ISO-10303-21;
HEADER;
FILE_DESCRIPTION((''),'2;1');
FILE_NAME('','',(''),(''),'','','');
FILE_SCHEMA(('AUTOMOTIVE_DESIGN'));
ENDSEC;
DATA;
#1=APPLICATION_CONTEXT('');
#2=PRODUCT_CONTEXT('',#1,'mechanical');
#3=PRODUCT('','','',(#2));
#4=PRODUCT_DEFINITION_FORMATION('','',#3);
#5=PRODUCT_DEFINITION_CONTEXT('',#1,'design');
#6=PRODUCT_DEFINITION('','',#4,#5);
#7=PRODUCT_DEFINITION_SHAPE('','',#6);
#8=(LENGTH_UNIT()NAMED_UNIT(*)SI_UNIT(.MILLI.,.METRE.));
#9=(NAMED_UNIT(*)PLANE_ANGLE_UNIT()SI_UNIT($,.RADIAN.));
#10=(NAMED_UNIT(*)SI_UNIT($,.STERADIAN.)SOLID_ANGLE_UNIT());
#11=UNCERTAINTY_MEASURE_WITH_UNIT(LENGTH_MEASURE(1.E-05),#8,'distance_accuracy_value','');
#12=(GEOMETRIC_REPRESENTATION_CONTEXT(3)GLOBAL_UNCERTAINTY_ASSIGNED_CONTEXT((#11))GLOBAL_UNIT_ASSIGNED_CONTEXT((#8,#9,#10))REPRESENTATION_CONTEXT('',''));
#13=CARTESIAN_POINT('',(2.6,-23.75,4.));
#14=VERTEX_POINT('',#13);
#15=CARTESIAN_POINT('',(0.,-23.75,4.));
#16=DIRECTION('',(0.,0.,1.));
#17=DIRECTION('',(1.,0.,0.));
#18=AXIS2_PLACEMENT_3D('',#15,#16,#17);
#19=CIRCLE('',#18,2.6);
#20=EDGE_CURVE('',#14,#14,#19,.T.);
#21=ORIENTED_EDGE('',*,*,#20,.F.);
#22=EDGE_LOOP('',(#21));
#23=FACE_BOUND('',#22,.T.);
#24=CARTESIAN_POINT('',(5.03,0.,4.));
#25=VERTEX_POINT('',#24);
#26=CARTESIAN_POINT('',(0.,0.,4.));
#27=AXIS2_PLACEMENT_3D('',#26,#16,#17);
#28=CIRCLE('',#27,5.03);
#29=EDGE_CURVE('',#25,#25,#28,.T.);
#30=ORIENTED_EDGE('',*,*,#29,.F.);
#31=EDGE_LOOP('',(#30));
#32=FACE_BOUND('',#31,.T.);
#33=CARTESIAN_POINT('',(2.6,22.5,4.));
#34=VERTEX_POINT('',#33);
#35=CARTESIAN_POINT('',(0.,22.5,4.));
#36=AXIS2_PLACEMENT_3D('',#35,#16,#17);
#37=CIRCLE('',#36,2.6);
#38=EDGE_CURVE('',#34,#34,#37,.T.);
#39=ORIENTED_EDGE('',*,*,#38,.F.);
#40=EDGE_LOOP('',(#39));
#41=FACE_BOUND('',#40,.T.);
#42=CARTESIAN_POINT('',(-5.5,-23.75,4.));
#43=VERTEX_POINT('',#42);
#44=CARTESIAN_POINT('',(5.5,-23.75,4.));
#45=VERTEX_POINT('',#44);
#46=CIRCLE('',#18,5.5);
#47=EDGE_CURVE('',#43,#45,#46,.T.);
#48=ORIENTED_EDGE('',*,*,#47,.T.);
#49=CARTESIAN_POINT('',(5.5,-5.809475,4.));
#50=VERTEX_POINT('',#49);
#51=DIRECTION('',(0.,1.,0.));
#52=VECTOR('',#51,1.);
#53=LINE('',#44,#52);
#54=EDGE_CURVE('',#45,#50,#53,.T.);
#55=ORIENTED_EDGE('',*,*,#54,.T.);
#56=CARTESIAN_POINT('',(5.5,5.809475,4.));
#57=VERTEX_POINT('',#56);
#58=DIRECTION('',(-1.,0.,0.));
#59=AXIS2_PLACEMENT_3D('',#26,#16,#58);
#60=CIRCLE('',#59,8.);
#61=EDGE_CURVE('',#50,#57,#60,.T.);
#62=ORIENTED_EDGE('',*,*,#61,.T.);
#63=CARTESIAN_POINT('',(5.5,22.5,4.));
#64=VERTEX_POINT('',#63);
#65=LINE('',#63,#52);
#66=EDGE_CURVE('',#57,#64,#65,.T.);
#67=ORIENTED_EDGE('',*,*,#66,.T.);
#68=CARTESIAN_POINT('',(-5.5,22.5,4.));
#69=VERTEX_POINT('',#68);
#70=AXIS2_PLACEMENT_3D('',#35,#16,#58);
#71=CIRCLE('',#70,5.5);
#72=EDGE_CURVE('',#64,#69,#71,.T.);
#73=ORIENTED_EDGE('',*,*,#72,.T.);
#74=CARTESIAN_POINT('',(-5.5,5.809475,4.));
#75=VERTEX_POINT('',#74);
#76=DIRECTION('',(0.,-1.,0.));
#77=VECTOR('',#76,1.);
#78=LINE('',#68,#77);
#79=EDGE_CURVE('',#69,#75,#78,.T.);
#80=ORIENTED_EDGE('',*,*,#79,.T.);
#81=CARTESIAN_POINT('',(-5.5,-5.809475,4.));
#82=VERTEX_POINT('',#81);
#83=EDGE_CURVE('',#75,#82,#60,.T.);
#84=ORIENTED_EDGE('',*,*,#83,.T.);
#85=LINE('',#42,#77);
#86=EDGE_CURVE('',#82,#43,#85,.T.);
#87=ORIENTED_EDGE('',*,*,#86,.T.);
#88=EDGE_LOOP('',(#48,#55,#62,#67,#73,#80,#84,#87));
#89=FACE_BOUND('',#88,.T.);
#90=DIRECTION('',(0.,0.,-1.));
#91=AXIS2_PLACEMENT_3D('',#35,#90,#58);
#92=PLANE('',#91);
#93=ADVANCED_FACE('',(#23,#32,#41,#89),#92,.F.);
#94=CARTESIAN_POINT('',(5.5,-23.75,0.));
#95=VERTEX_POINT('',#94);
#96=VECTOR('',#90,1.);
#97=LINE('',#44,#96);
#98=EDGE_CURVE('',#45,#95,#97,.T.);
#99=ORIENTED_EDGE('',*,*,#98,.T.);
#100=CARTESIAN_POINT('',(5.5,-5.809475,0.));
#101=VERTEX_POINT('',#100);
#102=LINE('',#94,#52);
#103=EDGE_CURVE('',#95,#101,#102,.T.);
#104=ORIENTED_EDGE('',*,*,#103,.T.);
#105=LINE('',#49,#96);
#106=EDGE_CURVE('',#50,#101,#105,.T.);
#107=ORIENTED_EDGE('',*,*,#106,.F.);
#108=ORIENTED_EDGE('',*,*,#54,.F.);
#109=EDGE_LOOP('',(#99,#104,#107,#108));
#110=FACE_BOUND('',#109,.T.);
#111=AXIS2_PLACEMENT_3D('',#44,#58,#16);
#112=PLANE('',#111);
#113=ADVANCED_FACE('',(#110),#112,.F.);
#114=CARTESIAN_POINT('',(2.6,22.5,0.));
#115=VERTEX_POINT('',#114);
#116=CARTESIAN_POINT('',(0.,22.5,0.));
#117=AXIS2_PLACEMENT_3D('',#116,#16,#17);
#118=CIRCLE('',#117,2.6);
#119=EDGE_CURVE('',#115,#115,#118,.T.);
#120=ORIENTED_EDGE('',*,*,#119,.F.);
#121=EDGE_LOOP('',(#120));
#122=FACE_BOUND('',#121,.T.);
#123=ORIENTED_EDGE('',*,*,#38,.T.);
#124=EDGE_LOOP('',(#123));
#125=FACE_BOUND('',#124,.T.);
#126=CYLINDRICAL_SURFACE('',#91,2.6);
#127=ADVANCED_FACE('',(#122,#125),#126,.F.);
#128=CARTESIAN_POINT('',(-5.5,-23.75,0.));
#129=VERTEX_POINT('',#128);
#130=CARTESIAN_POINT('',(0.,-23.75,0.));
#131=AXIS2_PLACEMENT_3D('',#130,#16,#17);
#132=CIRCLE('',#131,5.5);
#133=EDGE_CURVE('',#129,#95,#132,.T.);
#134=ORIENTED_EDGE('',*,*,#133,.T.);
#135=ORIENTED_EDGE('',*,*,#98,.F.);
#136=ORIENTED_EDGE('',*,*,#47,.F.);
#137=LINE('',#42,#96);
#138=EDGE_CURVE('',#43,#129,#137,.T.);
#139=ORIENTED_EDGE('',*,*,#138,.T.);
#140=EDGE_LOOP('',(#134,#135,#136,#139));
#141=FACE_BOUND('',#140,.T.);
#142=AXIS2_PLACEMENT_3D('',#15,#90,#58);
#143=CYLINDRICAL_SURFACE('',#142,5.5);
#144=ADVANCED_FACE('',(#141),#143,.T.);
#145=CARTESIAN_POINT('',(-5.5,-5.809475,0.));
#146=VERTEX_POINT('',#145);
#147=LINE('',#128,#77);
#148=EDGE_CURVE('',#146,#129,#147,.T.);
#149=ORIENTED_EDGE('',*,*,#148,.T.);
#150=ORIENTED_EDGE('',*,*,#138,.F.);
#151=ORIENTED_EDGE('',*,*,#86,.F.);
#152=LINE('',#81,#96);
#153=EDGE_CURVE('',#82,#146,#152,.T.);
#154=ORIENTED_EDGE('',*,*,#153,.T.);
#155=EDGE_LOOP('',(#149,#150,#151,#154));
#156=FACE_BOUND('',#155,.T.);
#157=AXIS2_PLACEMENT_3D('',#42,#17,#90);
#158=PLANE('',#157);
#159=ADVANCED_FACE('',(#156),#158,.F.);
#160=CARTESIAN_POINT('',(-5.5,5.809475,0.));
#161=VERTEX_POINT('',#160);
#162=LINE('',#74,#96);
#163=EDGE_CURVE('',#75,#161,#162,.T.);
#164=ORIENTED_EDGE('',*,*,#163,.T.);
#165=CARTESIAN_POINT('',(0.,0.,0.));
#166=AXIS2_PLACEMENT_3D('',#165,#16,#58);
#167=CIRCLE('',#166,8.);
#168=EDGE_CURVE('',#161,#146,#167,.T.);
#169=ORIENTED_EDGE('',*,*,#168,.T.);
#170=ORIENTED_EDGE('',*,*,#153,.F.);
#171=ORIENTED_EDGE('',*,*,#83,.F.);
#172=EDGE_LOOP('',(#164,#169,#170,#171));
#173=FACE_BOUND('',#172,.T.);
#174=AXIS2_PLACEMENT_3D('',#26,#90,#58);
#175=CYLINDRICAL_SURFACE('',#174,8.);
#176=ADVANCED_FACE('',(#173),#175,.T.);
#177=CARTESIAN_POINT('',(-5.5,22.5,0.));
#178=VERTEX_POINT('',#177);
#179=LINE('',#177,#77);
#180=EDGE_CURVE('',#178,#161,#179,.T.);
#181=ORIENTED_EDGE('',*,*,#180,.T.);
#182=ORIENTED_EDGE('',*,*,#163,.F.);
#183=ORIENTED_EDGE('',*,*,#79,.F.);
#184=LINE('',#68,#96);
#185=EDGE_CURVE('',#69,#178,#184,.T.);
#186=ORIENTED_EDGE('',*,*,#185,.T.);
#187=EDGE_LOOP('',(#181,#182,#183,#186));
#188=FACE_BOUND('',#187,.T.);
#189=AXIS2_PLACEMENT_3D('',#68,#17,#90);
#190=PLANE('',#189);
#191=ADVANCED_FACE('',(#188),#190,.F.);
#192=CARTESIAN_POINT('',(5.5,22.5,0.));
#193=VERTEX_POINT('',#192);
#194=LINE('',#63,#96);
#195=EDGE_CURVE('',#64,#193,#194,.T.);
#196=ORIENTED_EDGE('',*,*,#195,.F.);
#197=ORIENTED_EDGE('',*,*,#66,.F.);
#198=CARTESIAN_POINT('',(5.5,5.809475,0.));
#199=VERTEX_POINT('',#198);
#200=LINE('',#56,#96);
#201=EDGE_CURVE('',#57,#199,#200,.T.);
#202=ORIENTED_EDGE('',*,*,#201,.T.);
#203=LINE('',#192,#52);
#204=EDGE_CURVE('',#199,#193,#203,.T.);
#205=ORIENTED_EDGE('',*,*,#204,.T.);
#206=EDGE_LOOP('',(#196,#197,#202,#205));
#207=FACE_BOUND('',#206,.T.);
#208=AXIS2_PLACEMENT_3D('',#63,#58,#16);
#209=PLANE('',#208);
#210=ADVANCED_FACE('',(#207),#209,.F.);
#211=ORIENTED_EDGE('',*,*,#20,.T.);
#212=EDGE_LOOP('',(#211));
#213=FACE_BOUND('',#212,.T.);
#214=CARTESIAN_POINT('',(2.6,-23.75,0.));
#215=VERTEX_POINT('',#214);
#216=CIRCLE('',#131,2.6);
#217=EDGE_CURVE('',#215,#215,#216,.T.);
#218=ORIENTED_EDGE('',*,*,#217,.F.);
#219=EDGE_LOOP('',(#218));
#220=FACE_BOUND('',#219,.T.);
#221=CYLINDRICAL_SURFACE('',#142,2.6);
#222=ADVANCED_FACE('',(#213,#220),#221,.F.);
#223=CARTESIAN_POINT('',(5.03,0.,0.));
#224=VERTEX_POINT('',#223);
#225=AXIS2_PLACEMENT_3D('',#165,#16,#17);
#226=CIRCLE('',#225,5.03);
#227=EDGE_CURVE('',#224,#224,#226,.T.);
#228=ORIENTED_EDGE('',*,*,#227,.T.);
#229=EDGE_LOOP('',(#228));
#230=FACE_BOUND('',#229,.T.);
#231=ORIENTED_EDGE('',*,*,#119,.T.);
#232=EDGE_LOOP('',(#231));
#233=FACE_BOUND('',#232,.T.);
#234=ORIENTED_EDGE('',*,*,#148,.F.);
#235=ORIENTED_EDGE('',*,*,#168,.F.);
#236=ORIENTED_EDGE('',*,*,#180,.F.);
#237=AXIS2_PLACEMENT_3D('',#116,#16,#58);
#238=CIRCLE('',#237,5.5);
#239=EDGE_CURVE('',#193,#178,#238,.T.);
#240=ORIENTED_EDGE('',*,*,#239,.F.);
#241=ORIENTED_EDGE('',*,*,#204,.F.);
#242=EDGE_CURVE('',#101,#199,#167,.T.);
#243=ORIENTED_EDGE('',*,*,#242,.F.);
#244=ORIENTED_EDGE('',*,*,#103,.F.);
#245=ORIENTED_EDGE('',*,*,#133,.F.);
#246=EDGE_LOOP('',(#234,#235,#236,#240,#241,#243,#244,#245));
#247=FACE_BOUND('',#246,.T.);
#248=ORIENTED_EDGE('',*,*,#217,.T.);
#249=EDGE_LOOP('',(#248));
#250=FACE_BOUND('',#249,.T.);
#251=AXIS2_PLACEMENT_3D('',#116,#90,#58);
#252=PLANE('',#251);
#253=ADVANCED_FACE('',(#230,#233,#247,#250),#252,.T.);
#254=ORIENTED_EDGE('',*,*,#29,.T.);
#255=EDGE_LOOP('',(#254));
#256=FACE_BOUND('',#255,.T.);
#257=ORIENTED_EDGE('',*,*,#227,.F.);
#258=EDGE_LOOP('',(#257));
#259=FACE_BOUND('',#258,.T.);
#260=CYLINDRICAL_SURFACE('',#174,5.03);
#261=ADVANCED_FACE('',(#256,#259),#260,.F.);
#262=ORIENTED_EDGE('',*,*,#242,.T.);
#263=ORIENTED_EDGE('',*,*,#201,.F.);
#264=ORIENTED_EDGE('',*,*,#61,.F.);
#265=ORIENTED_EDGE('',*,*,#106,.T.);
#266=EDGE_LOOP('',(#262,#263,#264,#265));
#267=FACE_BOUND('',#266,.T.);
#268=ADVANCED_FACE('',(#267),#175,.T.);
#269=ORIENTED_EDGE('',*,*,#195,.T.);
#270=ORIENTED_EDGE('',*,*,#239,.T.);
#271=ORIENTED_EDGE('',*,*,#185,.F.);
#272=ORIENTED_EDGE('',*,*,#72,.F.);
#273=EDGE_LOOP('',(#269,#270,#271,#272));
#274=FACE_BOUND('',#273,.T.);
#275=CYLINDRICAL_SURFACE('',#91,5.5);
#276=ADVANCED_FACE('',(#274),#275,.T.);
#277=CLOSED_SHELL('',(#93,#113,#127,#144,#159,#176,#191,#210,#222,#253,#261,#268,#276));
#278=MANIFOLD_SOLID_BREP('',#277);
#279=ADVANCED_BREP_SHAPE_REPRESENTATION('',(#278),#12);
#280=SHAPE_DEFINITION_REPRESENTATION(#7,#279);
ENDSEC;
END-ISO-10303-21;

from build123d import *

# Parameters (mm, degrees)
SKETCH_1_R      = 2.6
SKETCH_1_R_2    = 5.03
EXTRUDE_1_DEPTH = 4


with BuildPart() as part:
    # 草图1 → 凸台-拉伸1 (new body)
    with BuildSketch(Plane.XY):
        with BuildLine():
            Line((5.5, 22.5), (5.5, 5.809475019))
            ThreePointArc((5.5, 5.809475019), (8, 0), (5.5, -5.809475019))
            Line((5.5, -5.809475019), (5.5, -23.75))
            ThreePointArc((5.5, -23.75), (0, -29.25), (-5.5, -23.75))
            Line((-5.5, -23.75), (-5.5, -5.809475019))
            ThreePointArc((-5.5, -5.809475019), (-8, 0), (-5.5, 5.809475019))
            Line((-5.5, 5.809475019), (-5.5, 22.5))
            ThreePointArc((-5.5, 22.5), (0, 28), (5.5, 22.5))
        make_face()
        with Locations((0, 22.5)):
            Circle(SKETCH_1_R, mode=Mode.SUBTRACT)
        with Locations((0, -23.75)):
            Circle(SKETCH_1_R, mode=Mode.SUBTRACT)
        Circle(SKETCH_1_R_2, mode=Mode.SUBTRACT)
    extrude(amount=EXTRUDE_1_DEPTH)


solid = part.part
